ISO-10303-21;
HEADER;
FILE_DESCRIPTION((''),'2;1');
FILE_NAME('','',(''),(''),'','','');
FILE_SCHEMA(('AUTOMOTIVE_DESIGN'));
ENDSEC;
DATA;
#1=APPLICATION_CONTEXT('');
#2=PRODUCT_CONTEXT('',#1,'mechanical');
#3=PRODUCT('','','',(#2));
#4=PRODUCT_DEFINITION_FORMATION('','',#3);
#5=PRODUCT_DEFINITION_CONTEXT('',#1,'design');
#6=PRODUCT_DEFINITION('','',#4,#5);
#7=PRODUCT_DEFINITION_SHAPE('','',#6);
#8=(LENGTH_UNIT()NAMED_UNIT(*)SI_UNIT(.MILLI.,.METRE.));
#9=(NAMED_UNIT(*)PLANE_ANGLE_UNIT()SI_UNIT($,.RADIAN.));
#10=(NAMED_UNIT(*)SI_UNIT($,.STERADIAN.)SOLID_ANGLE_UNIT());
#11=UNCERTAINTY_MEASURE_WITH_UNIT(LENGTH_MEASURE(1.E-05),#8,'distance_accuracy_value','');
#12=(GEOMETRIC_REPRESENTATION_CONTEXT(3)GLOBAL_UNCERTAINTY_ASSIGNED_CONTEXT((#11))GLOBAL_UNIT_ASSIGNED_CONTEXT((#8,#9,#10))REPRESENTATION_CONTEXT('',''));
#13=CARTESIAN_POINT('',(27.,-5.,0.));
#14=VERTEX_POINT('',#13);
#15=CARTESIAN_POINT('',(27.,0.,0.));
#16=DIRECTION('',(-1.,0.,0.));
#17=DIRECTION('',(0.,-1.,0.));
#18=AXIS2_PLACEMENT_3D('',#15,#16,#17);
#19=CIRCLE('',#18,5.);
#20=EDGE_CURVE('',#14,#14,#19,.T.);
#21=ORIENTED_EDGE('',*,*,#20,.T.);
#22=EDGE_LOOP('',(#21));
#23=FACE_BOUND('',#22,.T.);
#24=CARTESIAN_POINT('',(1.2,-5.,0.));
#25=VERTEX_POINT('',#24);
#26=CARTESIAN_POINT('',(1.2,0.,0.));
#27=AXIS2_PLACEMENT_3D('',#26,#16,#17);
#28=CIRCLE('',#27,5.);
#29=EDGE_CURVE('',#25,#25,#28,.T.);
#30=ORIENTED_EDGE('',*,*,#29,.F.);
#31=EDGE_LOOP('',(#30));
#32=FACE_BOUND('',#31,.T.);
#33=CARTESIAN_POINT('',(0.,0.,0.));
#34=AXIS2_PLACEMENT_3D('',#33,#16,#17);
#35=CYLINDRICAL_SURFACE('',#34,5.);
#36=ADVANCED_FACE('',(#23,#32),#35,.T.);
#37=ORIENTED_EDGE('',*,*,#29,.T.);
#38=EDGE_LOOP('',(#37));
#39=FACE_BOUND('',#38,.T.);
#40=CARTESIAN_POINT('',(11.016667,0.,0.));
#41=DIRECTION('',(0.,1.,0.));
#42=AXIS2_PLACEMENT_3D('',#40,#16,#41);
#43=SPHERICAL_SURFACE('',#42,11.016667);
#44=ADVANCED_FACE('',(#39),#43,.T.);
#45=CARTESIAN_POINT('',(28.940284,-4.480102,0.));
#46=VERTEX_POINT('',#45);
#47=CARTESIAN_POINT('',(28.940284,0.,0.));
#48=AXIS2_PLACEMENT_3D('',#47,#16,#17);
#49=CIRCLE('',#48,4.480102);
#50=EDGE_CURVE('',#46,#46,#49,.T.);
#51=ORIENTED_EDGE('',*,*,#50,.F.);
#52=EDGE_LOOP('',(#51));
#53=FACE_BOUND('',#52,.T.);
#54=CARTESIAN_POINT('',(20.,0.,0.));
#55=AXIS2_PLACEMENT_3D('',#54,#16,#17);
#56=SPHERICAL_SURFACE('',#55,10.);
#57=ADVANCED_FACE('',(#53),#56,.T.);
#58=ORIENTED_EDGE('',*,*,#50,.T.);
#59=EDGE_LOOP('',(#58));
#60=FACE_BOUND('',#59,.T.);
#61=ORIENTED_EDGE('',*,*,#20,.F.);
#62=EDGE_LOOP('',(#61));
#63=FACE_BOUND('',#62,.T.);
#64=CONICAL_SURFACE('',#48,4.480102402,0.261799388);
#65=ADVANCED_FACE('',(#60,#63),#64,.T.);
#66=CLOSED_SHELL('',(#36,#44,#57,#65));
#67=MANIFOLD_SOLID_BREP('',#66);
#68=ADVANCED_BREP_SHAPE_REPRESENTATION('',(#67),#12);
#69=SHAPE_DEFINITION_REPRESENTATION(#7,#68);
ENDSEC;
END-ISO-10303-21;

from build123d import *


with BuildPart() as part:
    # BodySke → Body (revolve)
    with BuildSketch(Plane.XY, mode=Mode.PRIVATE) as body_sk:
        with BuildLine():
            Line((27, 5), (28.94028425, 4.480102402))
            ThreePointArc((28.94028425, 4.480102402), (29.731465524, 2.30186419), (30, 0))
            Line((30, 0), (0, 0))
            ThreePointArc((0, 0), (0.30419989, 2.570992026), (1.2, 5))
            Line((1.2, 5), (27, 5))
        make_face()
    revolve(body_sk.sketch.rotate(Axis((0, 0, 0), (1, 0, 0)), 180), axis=Axis((0, 0, 0), (1, 0, 0)))


solid = part.part
